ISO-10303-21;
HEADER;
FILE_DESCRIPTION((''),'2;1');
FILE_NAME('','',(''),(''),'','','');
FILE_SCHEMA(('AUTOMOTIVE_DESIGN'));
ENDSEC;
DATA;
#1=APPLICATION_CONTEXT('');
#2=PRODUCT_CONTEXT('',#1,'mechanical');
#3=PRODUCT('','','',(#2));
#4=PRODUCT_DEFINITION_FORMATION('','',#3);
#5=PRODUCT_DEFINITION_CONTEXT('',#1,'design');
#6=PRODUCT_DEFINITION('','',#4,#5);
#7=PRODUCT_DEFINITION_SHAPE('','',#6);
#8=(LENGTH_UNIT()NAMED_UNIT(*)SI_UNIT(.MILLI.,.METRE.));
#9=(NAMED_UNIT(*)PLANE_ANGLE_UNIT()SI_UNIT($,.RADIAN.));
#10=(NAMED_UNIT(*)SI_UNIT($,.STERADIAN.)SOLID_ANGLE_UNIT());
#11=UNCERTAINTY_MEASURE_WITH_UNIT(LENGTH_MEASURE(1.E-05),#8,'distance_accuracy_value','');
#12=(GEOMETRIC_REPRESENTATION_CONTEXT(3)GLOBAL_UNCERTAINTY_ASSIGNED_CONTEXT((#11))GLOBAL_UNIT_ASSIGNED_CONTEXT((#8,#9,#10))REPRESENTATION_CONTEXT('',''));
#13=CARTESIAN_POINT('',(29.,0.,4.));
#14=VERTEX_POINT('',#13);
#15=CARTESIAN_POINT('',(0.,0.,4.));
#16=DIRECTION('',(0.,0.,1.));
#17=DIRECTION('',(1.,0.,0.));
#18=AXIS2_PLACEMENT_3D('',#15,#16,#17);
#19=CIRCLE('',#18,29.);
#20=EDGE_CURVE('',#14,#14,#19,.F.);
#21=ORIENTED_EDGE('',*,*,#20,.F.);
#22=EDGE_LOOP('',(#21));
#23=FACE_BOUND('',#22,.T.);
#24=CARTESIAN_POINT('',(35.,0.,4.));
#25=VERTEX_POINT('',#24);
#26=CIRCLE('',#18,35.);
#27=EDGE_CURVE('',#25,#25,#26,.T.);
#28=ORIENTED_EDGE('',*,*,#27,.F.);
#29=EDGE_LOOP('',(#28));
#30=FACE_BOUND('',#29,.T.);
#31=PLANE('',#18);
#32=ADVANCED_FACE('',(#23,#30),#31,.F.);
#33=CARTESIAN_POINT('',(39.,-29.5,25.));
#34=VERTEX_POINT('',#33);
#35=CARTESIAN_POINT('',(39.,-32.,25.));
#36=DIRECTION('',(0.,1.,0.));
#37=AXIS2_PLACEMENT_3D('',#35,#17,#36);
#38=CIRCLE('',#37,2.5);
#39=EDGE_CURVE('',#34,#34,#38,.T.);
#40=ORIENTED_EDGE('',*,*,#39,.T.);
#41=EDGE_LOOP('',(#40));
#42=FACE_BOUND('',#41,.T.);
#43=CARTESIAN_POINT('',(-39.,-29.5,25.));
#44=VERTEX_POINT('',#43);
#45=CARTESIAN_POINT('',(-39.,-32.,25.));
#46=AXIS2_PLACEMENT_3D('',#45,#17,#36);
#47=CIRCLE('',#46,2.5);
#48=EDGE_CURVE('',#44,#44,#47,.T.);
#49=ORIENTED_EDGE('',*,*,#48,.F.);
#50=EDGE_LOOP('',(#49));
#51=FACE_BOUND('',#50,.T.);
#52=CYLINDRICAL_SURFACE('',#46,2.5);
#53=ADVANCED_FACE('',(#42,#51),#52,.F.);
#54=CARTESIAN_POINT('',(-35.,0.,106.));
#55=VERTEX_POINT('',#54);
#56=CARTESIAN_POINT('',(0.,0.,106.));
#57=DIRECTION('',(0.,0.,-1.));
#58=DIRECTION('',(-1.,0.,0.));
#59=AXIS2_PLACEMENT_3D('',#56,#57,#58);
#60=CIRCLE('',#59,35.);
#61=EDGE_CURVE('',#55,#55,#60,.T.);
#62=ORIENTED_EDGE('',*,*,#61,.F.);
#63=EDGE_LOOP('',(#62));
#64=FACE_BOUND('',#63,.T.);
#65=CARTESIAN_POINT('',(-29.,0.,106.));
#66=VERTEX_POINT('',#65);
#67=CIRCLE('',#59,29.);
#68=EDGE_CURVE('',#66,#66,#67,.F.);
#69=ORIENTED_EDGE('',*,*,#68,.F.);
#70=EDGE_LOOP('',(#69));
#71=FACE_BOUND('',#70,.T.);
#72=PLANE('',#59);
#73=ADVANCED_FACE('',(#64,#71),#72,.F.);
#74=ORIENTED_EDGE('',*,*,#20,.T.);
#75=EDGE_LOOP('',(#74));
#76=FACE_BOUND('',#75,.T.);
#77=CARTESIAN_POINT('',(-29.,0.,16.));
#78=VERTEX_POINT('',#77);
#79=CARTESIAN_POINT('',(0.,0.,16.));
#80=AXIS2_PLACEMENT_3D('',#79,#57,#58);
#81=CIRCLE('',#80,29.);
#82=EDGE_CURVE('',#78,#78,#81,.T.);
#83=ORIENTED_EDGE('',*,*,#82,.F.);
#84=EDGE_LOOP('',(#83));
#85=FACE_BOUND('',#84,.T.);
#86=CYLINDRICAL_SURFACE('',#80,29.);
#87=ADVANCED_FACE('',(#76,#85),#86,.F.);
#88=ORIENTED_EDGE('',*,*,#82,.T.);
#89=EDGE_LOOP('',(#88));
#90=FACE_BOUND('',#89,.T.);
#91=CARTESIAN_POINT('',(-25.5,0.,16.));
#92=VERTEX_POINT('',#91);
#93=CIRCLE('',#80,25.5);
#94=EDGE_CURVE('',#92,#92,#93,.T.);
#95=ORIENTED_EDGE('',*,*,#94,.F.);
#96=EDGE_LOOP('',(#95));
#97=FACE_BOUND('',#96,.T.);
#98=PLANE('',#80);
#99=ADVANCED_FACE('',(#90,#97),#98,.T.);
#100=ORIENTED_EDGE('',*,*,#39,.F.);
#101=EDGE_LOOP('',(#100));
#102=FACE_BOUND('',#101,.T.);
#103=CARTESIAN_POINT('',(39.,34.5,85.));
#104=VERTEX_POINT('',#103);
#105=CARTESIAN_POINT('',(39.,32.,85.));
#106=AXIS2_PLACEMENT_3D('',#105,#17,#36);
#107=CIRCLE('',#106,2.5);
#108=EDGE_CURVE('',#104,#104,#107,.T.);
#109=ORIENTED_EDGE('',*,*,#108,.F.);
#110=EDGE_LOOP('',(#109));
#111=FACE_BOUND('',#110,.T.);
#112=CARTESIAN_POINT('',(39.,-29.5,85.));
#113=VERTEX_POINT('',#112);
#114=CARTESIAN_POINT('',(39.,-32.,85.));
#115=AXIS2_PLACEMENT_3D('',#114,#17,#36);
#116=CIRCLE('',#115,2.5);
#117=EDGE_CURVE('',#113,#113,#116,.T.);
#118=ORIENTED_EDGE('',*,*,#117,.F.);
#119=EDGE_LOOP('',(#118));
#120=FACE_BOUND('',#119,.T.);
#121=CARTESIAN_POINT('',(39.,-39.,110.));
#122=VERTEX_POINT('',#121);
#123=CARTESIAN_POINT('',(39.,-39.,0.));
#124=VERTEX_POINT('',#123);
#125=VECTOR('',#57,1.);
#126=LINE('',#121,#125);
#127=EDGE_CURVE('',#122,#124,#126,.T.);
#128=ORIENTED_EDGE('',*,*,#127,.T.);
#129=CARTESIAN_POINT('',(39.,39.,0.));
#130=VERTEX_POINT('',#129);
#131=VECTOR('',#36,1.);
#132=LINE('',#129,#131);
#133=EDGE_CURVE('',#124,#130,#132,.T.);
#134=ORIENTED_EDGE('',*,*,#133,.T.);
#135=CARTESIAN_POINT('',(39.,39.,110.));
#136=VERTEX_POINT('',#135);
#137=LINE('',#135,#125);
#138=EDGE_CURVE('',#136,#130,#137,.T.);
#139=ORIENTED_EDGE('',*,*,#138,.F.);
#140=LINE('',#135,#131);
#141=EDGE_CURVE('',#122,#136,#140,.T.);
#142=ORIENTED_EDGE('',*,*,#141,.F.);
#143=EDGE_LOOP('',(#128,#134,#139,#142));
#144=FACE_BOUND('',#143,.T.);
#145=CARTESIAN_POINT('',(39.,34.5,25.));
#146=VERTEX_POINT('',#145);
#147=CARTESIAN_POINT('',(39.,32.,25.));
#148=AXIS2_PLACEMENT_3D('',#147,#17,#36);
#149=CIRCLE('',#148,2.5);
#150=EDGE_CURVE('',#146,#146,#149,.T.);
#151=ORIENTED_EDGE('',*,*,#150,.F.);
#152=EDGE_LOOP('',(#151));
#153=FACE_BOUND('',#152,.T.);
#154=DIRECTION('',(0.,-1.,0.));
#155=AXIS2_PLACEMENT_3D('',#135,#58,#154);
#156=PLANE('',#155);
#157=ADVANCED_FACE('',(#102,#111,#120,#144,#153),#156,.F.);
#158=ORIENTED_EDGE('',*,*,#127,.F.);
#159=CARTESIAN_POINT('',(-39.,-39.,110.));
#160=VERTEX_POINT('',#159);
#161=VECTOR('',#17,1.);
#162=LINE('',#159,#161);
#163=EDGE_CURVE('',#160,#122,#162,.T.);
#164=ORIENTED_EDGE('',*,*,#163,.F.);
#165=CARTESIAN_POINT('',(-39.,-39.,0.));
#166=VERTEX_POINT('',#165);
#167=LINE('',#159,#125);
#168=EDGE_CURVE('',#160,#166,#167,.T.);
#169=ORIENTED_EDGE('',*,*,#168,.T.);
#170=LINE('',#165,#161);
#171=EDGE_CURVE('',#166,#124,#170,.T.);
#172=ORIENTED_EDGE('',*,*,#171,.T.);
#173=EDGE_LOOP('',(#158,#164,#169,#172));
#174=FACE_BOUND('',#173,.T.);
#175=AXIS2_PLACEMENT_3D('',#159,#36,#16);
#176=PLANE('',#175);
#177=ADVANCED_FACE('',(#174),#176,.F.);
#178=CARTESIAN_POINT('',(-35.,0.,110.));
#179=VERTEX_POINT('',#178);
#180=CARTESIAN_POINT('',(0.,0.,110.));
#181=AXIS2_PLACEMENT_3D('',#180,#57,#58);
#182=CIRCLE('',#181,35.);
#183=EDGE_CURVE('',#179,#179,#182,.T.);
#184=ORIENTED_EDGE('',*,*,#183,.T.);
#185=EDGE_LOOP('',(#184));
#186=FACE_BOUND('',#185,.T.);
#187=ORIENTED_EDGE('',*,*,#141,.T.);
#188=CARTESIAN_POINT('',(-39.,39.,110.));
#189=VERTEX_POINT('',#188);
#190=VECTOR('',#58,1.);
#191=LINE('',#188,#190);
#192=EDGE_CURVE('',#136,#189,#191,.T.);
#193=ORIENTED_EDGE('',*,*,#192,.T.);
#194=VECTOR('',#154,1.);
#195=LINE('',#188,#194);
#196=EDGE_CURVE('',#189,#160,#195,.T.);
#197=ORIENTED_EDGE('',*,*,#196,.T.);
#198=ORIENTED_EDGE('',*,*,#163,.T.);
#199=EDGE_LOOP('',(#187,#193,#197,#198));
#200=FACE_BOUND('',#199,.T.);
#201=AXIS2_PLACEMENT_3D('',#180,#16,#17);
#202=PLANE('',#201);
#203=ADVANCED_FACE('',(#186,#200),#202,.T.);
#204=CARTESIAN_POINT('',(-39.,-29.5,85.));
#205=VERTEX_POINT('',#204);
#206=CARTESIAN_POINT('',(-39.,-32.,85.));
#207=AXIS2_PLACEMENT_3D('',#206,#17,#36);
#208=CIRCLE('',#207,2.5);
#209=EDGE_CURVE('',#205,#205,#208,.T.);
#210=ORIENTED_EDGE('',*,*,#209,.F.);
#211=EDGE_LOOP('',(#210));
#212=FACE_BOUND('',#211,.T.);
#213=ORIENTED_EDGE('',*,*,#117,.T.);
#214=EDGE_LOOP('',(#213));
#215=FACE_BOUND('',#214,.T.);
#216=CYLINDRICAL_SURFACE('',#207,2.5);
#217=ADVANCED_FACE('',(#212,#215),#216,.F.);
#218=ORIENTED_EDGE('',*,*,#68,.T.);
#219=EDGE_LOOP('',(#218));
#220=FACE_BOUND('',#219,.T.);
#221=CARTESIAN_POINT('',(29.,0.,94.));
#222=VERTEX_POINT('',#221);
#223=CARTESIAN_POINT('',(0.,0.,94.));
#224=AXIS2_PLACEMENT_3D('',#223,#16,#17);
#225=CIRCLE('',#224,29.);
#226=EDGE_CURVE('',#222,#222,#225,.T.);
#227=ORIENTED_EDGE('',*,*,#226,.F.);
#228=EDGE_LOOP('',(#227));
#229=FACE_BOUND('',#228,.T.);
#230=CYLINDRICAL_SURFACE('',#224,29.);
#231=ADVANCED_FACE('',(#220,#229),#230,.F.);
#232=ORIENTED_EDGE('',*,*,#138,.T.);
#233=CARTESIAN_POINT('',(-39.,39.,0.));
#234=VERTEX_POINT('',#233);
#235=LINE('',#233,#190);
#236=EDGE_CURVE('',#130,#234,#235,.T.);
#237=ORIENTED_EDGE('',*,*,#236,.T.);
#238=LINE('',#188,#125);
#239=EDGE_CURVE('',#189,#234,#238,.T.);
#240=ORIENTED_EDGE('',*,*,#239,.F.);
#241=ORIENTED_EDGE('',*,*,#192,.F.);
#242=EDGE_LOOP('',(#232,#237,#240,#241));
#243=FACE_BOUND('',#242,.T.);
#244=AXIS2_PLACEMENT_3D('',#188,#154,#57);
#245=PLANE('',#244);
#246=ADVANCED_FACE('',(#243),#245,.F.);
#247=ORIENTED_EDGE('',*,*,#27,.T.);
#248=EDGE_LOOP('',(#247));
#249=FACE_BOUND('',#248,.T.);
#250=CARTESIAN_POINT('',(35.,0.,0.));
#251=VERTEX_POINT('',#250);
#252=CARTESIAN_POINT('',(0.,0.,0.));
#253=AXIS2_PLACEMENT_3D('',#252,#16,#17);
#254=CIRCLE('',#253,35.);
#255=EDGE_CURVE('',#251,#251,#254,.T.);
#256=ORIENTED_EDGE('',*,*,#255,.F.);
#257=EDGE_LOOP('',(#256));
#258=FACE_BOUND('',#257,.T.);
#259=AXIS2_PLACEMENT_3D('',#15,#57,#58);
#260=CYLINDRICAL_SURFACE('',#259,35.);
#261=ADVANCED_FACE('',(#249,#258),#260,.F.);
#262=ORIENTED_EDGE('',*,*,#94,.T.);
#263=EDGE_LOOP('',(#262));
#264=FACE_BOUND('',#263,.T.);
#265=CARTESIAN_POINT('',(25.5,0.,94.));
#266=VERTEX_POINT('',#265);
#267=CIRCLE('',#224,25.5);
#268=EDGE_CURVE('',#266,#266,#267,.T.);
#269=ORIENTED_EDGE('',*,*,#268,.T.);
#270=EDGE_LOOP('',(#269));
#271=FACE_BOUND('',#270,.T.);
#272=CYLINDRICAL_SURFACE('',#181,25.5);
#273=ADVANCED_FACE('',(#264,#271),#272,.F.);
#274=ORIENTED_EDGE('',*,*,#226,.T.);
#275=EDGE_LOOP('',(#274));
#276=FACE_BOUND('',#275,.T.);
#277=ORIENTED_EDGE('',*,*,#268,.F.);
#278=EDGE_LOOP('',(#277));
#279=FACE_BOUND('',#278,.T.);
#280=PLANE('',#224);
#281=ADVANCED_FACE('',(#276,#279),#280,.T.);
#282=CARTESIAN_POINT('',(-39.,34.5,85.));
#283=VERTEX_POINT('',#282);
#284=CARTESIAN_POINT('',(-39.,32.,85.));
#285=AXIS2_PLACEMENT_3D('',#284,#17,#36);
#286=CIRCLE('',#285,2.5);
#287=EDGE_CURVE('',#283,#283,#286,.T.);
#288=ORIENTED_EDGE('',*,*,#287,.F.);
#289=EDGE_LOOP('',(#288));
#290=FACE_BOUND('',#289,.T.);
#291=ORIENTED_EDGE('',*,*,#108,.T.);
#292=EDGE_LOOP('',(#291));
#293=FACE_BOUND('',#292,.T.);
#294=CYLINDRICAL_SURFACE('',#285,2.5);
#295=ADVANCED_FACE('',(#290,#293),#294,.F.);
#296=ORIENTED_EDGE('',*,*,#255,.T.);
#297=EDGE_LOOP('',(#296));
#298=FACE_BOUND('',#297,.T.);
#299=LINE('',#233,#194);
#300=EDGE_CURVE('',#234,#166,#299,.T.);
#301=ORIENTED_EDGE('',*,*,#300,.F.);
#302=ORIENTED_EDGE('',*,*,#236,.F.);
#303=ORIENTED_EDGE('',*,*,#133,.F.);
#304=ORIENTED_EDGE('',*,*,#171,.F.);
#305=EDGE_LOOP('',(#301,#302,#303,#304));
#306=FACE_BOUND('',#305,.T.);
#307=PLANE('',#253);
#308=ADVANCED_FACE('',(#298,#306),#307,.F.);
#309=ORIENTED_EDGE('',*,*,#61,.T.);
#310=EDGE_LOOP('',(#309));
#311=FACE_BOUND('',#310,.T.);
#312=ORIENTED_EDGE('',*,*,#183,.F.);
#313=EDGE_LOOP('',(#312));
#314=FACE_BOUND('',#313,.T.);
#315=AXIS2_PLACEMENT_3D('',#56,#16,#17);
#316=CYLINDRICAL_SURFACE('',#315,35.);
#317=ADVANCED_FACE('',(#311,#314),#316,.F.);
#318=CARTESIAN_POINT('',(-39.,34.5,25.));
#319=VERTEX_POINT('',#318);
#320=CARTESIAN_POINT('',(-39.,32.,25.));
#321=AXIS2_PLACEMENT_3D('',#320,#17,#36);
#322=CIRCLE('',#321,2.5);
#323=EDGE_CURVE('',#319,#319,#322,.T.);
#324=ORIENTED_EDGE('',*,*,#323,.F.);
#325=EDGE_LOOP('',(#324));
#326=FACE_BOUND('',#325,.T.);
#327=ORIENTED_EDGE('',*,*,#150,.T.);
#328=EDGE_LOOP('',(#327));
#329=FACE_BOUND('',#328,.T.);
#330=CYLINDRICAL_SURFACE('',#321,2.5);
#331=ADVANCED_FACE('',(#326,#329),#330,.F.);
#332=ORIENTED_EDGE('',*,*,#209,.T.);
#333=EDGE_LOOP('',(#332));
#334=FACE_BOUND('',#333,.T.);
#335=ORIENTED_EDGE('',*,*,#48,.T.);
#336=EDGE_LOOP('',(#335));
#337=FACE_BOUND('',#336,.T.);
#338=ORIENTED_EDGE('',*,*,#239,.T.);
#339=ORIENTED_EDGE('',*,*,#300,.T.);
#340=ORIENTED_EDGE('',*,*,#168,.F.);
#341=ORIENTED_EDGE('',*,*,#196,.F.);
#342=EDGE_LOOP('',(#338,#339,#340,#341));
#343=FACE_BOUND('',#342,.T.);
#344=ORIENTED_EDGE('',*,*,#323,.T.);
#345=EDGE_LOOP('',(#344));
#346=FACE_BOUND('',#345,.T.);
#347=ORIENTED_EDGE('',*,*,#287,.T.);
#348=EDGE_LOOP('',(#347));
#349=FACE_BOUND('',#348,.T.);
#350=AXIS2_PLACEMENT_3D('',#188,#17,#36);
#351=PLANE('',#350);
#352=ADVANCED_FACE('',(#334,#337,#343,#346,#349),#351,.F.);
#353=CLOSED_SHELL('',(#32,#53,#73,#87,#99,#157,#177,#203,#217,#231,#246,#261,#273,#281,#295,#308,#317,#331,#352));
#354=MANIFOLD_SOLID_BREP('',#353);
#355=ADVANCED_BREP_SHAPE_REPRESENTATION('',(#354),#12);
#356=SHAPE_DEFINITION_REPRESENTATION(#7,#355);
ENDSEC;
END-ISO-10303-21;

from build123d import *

# Parameters (mm, degrees)
SKETCH1_W           = 78
SKETCH1_H           = 78
SKETCH1_R           = 25.5
BOSS_EXTRUDE1_DEPTH = 110
CUT_EXTRUDE1_START  = -4
SKETCH2_R           = 29
CUT_EXTRUDE1_DEPTH  = 12
CUT_EXTRUDE2_START  = -16
SKETCH3_R           = 29
CUT_EXTRUDE2_DEPTH  = 12
THRUST_AX4565_R     = 35
THRUST_AX4565_R_2   = 25
CUT_EXTRUDE6_DEPTH  = 4
CUT_EXTRUDE7_START  = 4
SKETCH13_R          = 35
SKETCH13_R_2        = 25
CUT_EXTRUDE7_DEPTH  = 4
SKETCH8_R           = 2.5
CUT_EXTRUDE3_DEPTH  = 141.374499109


with BuildPart() as part:
    # Sketch1 → Boss-Extrude1 (new body)
    with BuildSketch(Plane.XY):
        Rectangle(SKETCH1_W, SKETCH1_H)
        Circle(SKETCH1_R, mode=Mode.SUBTRACT)
    extrude(amount=BOSS_EXTRUDE1_DEPTH)

    # Sketch2 → Cut-Extrude1 (cut)
    with BuildSketch(Plane(origin=(0, 0, 0), x_dir=(-1, 0, 0), z_dir=(0, 0, -1)).offset(CUT_EXTRUDE1_START)):
        Circle(SKETCH2_R)
    extrude(amount=-CUT_EXTRUDE1_DEPTH, mode=Mode.SUBTRACT)

    # Sketch3 → Cut-Extrude2 (cut)
    with BuildSketch(Plane.XY.offset(110).offset(CUT_EXTRUDE2_START)):
        with Locations(Location((0, 0, 0), (0, 0, 180))):
            Circle(SKETCH3_R)
    extrude(amount=CUT_EXTRUDE2_DEPTH, mode=Mode.SUBTRACT)

    # Thrust AX4565 → Cut-Extrude6 (cut)
    with BuildSketch(Plane.XY):
        Circle(THRUST_AX4565_R)
        Circle(THRUST_AX4565_R_2, mode=Mode.SUBTRACT)
    extrude(amount=CUT_EXTRUDE6_DEPTH, mode=Mode.SUBTRACT)

    # Sketch13 → Cut-Extrude7 (cut)
    with BuildSketch(Plane(origin=(0, 0, 110), x_dir=(-1, 0, 0), z_dir=(0, 0, -1)).offset(CUT_EXTRUDE7_START)):
        with Locations(Location((0, 0, 0), (0, 0, 180))):
            Circle(SKETCH13_R)
        Circle(SKETCH13_R_2, mode=Mode.SUBTRACT)
    extrude(amount=-CUT_EXTRUDE7_DEPTH, mode=Mode.SUBTRACT)

    # Sketch8 → Cut-Extrude3 (cut, through all)
    with BuildSketch(Plane(origin=(39, 0, 0), x_dir=(0, 0, -1), z_dir=(1, 0, 0))):
        with Locations(Location((-85, 32, 0), (0, 0, 90))):
            Circle(SKETCH8_R)
        with Locations(Location((-25, 32, 0), (0, 0, 90))):
            Circle(SKETCH8_R)
        with Locations(Location((-25, -32, 0), (0, 0, 90))):
            Circle(SKETCH8_R)
        with Locations(Location((-85, -32, 0), (0, 0, 90))):
            Circle(SKETCH8_R)
    extrude(amount=-CUT_EXTRUDE3_DEPTH, mode=Mode.SUBTRACT)


solid = part.part
